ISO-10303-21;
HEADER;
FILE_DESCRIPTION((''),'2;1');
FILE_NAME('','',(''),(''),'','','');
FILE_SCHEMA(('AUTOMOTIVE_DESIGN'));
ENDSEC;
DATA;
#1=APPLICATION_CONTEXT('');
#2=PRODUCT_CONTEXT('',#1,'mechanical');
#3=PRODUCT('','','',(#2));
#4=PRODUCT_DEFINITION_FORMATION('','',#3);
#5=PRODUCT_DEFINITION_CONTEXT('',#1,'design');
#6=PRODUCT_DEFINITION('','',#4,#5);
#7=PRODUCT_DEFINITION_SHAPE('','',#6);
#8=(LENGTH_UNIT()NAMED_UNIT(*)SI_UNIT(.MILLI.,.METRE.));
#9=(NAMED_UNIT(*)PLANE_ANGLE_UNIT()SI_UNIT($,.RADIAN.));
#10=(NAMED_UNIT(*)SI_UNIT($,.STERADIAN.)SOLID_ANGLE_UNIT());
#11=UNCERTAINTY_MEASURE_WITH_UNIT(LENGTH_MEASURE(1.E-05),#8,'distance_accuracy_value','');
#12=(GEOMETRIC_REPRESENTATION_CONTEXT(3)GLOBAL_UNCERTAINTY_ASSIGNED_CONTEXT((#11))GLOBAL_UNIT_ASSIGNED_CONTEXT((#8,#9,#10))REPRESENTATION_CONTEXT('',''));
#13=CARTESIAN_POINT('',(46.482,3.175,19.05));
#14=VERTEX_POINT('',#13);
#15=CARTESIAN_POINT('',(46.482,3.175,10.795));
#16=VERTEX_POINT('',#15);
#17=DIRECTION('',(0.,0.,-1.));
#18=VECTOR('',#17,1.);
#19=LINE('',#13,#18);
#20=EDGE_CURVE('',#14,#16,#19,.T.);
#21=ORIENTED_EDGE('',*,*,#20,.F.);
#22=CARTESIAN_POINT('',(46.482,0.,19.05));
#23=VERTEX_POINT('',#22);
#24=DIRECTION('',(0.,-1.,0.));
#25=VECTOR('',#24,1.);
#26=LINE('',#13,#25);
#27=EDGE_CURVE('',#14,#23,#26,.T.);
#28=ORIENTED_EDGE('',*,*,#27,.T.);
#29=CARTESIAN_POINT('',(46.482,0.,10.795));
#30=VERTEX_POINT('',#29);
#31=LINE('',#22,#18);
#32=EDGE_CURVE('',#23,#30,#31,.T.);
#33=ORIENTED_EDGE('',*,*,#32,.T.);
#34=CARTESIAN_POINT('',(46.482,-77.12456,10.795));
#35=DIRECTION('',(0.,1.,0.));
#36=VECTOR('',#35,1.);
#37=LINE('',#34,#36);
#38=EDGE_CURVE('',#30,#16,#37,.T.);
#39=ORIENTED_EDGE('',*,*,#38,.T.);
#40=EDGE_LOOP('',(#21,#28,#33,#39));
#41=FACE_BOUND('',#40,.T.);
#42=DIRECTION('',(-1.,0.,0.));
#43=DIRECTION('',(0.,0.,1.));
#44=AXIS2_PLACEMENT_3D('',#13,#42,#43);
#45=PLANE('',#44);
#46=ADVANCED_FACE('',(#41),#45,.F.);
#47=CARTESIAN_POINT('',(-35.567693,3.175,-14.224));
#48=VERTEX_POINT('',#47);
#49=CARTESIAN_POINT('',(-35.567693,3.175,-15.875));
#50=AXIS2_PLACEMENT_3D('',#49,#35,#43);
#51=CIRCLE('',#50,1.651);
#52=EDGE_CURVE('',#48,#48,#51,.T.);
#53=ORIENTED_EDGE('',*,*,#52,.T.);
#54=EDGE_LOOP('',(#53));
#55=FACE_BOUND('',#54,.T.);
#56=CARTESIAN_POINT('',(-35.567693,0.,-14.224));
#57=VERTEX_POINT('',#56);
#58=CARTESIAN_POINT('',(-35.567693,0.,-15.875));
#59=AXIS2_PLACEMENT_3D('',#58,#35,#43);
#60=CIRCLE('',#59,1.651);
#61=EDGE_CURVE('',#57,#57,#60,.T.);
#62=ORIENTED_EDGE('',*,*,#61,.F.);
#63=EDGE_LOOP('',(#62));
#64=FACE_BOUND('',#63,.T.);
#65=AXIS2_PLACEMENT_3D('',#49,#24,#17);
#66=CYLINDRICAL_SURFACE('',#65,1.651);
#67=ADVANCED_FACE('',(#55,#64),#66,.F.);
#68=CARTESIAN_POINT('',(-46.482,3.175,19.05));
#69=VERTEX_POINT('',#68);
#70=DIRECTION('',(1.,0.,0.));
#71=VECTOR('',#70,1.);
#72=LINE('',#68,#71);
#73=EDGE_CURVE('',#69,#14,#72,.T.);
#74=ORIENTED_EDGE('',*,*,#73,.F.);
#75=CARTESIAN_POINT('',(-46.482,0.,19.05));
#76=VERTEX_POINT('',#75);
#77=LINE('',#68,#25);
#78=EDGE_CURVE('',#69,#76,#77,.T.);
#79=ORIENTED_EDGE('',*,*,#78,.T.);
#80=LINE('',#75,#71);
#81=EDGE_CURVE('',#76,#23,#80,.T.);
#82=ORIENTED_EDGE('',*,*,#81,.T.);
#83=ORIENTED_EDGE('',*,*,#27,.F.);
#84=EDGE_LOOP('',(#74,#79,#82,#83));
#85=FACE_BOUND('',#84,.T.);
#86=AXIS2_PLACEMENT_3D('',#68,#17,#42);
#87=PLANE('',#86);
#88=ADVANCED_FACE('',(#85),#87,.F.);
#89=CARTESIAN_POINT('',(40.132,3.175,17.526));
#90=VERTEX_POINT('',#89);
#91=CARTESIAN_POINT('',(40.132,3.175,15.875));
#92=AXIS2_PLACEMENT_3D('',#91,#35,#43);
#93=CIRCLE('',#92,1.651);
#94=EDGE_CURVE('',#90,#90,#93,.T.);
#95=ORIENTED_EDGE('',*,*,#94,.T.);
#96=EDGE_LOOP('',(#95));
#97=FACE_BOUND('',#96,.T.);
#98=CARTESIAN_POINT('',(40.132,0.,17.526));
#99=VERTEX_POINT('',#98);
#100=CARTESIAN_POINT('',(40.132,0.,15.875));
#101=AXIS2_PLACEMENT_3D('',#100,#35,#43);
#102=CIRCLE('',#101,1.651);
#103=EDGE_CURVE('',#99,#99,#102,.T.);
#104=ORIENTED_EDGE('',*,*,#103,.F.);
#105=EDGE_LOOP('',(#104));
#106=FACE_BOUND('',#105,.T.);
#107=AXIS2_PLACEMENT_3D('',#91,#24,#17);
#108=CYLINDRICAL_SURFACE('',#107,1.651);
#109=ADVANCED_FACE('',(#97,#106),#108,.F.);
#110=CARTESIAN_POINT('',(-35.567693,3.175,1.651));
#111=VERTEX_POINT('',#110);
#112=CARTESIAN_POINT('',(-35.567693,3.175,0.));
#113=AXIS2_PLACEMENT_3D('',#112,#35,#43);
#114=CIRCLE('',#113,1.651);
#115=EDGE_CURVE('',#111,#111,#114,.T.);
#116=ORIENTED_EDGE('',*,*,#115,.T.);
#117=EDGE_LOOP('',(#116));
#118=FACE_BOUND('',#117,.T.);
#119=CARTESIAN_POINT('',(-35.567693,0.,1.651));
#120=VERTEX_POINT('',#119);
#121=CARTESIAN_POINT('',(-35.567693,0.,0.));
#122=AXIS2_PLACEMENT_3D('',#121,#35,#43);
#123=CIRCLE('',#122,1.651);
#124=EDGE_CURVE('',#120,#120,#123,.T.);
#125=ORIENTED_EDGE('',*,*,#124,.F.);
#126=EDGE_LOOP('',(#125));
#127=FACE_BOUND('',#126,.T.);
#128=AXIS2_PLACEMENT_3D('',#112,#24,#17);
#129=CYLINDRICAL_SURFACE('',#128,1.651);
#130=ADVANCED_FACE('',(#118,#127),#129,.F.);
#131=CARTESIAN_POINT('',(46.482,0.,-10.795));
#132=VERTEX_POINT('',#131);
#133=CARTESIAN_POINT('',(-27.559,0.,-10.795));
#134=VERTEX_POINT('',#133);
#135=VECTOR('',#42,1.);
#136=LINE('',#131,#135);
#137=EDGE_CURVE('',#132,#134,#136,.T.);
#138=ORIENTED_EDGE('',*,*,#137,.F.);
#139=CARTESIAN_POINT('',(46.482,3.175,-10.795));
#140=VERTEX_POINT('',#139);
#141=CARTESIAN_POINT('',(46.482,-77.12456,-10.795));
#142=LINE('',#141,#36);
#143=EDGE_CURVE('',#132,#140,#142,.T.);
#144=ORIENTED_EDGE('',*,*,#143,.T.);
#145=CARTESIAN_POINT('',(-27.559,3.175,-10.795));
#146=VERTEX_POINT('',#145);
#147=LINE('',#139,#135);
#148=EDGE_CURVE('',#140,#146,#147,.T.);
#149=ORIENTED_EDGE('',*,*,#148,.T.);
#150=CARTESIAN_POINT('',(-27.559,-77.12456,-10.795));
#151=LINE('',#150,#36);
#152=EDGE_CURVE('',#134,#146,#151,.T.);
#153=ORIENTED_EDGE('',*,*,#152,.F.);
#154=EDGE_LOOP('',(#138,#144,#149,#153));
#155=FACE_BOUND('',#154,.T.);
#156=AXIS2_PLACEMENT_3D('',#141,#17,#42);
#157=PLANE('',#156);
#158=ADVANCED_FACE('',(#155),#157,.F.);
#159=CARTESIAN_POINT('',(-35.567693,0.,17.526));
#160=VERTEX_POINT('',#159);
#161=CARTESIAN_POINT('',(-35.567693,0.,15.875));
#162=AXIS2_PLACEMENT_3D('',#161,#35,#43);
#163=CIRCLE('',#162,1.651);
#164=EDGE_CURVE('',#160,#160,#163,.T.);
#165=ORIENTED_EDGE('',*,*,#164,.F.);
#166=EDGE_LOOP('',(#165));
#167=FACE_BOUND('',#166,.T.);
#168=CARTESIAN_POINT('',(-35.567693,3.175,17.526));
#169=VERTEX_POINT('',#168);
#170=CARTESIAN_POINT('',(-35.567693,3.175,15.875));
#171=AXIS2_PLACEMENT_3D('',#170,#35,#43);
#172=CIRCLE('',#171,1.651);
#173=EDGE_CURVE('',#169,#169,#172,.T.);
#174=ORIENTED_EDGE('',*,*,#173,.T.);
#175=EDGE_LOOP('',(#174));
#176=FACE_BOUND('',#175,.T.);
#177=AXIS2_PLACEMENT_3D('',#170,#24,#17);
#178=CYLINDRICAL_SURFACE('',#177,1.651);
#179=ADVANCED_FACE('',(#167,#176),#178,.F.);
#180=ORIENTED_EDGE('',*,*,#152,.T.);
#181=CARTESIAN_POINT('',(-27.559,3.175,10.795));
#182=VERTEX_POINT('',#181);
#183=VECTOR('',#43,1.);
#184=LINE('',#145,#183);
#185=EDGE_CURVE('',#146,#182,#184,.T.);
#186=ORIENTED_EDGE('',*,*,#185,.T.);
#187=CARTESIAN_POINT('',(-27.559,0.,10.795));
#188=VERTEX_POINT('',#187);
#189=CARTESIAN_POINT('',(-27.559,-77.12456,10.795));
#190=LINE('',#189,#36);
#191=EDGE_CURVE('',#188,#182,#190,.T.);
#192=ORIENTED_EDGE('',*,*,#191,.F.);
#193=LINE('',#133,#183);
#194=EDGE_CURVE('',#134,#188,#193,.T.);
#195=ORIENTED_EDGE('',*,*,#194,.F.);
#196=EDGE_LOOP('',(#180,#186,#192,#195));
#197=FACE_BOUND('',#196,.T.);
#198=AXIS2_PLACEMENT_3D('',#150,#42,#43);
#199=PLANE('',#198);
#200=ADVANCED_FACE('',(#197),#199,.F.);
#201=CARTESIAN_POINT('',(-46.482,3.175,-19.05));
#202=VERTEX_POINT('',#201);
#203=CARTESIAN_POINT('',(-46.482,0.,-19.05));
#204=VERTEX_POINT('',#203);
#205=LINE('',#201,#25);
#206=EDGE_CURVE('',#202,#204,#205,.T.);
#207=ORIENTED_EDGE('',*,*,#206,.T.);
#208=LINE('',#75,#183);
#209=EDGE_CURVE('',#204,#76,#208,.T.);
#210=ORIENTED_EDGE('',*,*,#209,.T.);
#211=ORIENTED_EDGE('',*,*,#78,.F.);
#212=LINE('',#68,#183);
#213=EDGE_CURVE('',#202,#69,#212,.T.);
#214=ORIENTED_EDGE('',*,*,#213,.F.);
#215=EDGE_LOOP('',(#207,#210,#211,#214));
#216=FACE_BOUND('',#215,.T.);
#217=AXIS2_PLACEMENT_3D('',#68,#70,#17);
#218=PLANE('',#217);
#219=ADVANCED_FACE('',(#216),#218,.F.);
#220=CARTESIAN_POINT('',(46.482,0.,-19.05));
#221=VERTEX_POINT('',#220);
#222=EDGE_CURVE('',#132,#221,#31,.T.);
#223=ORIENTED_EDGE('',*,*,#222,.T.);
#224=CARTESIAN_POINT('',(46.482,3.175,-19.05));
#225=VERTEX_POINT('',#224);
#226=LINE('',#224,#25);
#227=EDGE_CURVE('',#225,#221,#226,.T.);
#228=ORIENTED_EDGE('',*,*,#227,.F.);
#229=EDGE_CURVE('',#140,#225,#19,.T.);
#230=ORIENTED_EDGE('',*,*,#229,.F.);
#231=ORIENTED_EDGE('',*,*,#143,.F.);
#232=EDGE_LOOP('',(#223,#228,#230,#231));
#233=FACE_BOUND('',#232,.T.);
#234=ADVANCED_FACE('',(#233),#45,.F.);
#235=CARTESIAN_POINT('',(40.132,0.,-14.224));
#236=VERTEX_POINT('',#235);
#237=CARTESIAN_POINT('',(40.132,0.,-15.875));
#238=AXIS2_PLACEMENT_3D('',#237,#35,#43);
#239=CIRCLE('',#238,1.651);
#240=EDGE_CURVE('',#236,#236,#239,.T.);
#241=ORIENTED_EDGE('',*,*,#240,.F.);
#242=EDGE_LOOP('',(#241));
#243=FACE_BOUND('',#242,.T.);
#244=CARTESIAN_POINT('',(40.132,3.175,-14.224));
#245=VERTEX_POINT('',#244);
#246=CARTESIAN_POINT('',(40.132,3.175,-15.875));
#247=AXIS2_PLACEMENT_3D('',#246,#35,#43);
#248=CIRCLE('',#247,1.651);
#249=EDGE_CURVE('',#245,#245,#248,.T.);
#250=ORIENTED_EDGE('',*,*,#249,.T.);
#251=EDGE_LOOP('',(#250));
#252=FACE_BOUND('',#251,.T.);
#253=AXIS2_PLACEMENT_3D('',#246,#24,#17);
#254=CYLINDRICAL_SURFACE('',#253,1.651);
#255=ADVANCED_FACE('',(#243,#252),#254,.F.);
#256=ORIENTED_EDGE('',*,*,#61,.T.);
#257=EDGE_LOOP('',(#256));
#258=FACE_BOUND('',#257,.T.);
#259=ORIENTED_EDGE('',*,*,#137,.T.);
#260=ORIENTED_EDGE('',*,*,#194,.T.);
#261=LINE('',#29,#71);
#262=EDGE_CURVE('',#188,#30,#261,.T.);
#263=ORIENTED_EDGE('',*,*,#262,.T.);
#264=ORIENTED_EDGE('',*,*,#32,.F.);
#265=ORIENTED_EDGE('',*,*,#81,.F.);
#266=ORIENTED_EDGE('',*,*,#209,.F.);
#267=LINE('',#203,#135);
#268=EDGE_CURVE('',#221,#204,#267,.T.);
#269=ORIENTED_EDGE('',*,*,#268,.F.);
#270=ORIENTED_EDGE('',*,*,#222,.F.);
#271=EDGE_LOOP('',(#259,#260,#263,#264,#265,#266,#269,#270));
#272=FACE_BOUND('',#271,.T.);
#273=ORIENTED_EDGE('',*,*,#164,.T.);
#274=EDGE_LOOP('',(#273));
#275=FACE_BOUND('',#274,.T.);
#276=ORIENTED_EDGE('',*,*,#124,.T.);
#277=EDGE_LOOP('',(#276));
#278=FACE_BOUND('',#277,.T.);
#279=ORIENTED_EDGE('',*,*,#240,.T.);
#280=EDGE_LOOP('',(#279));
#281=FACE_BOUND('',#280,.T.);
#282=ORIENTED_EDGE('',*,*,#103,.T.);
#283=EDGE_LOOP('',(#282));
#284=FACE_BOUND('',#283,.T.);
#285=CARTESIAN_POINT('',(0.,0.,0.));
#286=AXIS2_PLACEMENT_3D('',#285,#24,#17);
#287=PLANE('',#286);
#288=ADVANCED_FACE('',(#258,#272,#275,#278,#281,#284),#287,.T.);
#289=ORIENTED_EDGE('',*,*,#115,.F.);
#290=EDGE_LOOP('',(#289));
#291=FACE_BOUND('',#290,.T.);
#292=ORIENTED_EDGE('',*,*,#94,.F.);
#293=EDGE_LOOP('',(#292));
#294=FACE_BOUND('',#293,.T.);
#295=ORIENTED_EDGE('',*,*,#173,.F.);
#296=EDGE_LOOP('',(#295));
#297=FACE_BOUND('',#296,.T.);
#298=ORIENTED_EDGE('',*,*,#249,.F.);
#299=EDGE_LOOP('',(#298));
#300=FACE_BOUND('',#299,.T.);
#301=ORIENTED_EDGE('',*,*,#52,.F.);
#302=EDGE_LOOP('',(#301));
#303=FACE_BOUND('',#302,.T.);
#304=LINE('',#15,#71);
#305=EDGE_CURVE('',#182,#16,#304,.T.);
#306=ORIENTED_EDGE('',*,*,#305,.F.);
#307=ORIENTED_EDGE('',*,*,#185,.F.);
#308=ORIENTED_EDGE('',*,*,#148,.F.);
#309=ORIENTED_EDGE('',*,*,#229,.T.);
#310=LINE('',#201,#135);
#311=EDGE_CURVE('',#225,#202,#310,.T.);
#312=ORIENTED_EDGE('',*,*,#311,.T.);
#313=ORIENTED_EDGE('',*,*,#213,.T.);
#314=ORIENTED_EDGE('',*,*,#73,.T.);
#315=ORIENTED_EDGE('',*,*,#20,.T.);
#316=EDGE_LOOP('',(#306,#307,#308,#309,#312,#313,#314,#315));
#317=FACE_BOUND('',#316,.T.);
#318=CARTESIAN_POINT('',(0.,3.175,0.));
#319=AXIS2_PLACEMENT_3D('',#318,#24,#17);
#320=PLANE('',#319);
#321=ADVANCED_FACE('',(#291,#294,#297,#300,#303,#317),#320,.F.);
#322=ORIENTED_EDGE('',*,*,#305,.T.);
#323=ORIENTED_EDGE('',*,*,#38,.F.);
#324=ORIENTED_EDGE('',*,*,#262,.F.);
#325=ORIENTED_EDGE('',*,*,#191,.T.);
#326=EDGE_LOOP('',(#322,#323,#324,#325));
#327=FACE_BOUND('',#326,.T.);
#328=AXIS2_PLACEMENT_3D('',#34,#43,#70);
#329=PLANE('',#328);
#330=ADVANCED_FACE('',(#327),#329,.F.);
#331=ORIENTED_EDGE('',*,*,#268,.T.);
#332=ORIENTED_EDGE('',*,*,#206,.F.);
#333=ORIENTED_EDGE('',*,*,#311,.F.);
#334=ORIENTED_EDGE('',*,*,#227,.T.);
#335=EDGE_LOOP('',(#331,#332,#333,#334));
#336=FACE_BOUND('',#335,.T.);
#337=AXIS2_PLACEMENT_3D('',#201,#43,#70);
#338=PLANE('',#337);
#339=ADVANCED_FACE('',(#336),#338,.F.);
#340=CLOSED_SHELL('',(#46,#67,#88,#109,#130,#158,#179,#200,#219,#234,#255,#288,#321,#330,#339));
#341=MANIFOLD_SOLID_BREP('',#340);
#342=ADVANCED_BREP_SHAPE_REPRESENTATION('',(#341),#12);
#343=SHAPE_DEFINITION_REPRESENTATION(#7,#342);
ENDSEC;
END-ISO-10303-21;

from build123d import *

# Parameters (mm, degrees)
SKETCH1_W           = 92.964
SKETCH1_H           = 38.1
SKETCH1_R           = 1.651
BOSS_EXTRUDE1_DEPTH = 3.175
SKETCH2_W           = 74.041
SKETCH2_H           = 21.59
CUT_EXTRUDE1_DEPTH  = 3.175


with BuildPart() as part:
    # Sketch1 → Boss-Extrude1 (new body)
    with BuildSketch(Plane(origin=(0, 0, 0), x_dir=(1, 0, 0), z_dir=(0, 1, 0))):
        Rectangle(SKETCH1_W, SKETCH1_H)
        with Locations(Location((-35.567692741, -15.875, 0), (0, 0, 270))):
            Circle(SKETCH1_R, mode=Mode.SUBTRACT)
        with Locations(Location((-35.567692741, 15.875, 0), (0, 0, 270))):
            Circle(SKETCH1_R, mode=Mode.SUBTRACT)
        with Locations(Location((40.132, 15.875, 0), (0, 0, 270))):
            Circle(SKETCH1_R, mode=Mode.SUBTRACT)
        with Locations(Location((40.132, -15.875, 0), (0, 0, 270))):
            Circle(SKETCH1_R, mode=Mode.SUBTRACT)
        with Locations(Location((-35.567692741, 0, 0), (0, 0, 270))):
            Circle(SKETCH1_R, mode=Mode.SUBTRACT)
    extrude(amount=BOSS_EXTRUDE1_DEPTH)

    # Sketch2 → Cut-Extrude1 (cut)
    with BuildSketch(Plane(origin=(0, 3.175, 0), x_dir=(1, 0, 0), z_dir=(0, 1, 0))):
        with Locations((9.4615, 0)):
            Rectangle(SKETCH2_W, SKETCH2_H)
    extrude(amount=-CUT_EXTRUDE1_DEPTH, mode=Mode.SUBTRACT)


solid = part.part
